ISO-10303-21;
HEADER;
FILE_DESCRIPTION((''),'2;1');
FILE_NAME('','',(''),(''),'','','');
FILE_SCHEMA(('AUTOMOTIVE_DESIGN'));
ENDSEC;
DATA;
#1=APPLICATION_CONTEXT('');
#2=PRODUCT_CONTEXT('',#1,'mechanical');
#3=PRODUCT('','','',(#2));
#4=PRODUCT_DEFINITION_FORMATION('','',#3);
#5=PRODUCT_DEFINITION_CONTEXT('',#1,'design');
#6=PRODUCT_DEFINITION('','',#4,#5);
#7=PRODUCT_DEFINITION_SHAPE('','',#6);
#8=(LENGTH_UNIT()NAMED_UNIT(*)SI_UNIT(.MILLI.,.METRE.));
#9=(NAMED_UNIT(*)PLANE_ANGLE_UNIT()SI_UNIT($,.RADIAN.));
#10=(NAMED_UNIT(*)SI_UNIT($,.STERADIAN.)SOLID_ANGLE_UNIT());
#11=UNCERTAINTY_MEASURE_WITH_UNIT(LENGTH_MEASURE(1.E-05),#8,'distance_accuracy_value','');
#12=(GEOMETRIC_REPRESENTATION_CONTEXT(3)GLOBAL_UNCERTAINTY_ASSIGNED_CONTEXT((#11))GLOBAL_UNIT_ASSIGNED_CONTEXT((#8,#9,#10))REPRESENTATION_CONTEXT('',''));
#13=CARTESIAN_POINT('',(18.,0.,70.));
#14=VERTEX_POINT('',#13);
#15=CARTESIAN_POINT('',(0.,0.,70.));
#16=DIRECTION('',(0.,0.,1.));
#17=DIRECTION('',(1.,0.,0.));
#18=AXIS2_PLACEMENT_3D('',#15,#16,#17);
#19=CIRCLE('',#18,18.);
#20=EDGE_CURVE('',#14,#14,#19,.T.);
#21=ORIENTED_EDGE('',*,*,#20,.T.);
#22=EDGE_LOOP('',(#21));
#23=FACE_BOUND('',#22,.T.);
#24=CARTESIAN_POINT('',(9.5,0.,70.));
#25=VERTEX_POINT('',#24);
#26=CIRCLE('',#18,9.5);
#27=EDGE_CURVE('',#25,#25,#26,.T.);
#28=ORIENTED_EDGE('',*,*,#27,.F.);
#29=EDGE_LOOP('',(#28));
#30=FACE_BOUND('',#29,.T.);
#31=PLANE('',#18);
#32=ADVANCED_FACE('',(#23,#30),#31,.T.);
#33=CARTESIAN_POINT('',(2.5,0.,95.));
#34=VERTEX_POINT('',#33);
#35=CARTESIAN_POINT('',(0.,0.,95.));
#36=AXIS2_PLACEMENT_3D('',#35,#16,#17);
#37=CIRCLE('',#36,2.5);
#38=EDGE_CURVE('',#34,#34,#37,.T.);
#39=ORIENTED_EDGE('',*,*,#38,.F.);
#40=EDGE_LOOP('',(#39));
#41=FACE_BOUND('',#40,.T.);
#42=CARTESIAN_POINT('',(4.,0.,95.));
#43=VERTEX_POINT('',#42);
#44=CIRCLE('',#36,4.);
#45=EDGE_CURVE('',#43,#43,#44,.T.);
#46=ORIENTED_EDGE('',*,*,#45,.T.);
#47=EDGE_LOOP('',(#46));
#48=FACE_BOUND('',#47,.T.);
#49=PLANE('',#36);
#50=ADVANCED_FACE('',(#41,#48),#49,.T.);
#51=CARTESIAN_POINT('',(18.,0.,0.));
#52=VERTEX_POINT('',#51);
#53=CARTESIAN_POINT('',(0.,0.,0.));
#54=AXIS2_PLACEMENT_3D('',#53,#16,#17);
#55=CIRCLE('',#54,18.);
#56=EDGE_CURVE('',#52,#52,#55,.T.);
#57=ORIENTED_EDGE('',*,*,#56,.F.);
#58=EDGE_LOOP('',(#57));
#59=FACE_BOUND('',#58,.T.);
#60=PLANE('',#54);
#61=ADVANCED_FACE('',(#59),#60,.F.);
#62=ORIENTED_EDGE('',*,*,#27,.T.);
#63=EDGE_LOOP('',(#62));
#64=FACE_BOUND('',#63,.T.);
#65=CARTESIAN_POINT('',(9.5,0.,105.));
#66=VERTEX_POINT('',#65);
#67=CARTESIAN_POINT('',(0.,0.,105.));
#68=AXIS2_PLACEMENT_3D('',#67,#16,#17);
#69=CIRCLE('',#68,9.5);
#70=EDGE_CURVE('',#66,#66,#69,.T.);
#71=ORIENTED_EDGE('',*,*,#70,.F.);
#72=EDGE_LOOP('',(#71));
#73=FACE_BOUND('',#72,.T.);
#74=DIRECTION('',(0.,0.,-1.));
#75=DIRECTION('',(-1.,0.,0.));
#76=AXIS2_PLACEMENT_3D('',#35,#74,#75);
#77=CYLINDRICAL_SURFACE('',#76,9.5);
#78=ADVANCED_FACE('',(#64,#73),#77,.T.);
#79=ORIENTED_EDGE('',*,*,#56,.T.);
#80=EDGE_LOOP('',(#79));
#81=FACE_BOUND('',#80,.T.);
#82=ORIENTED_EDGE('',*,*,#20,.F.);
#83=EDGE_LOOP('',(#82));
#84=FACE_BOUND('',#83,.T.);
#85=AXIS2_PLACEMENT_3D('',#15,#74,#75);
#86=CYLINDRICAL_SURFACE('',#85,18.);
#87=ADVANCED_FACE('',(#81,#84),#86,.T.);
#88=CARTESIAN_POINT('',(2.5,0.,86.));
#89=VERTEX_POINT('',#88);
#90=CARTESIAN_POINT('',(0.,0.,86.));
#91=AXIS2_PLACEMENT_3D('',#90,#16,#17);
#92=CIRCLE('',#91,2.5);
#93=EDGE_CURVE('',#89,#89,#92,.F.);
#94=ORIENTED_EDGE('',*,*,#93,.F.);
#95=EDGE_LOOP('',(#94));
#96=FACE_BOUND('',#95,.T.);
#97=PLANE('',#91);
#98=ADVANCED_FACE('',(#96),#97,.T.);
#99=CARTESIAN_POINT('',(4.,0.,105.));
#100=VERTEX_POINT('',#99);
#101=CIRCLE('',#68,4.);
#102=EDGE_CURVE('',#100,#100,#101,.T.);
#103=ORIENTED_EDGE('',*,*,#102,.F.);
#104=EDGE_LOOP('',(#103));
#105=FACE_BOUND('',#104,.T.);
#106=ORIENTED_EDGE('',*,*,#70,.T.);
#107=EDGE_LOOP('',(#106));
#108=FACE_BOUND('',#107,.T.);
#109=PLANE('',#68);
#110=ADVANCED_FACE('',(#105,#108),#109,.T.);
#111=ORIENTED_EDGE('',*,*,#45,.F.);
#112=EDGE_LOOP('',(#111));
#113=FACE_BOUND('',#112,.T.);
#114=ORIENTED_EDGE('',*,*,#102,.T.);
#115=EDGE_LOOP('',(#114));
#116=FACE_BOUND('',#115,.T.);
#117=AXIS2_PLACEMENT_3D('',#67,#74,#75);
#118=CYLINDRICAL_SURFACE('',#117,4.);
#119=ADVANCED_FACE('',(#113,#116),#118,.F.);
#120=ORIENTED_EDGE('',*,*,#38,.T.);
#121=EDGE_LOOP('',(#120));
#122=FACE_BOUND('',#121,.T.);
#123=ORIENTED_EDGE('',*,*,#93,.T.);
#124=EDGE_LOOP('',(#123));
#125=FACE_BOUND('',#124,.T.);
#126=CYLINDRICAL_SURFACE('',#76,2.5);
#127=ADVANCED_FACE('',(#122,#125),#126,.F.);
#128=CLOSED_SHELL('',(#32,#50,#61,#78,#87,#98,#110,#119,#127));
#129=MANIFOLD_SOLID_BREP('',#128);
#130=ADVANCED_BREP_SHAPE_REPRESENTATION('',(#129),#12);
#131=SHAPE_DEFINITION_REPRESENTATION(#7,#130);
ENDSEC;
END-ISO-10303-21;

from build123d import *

# Parameters (mm, degrees)
SKETCH1_R           = 18
BOSS_EXTRUDE1_DEPTH = 70
SKETCH2_R           = 2.5
BOSS_EXTRUDE2_DEPTH = 16
SKETCH3_R           = 9.5
SKETCH3_R_2         = 2.5
BOSS_EXTRUDE3_DEPTH = 25
SKETCH4_R           = 9.5
SKETCH4_R_2         = 4
BOSS_EXTRUDE4_DEPTH = 10


with BuildPart() as part:
    # Sketch1 → Boss-Extrude1 (new body)
    with BuildSketch(Plane.XY):
        Circle(SKETCH1_R)
    extrude(amount=BOSS_EXTRUDE1_DEPTH)

    # Sketch2 → Boss-Extrude2 (add)
    with BuildSketch(Plane.XY.offset(70)):
        Circle(SKETCH2_R)
    extrude(amount=BOSS_EXTRUDE2_DEPTH)

    # Sketch3 → Boss-Extrude3 (add)
    with BuildSketch(Plane.XY.offset(70)):
        Circle(SKETCH3_R)
        Circle(SKETCH3_R_2, mode=Mode.SUBTRACT)
    extrude(amount=BOSS_EXTRUDE3_DEPTH)

    # Sketch4 → Boss-Extrude4 (add)
    with BuildSketch(Plane.XY.offset(95)):
        Circle(SKETCH4_R)
        Circle(SKETCH4_R_2, mode=Mode.SUBTRACT)
    extrude(amount=BOSS_EXTRUDE4_DEPTH)


solid = part.part
